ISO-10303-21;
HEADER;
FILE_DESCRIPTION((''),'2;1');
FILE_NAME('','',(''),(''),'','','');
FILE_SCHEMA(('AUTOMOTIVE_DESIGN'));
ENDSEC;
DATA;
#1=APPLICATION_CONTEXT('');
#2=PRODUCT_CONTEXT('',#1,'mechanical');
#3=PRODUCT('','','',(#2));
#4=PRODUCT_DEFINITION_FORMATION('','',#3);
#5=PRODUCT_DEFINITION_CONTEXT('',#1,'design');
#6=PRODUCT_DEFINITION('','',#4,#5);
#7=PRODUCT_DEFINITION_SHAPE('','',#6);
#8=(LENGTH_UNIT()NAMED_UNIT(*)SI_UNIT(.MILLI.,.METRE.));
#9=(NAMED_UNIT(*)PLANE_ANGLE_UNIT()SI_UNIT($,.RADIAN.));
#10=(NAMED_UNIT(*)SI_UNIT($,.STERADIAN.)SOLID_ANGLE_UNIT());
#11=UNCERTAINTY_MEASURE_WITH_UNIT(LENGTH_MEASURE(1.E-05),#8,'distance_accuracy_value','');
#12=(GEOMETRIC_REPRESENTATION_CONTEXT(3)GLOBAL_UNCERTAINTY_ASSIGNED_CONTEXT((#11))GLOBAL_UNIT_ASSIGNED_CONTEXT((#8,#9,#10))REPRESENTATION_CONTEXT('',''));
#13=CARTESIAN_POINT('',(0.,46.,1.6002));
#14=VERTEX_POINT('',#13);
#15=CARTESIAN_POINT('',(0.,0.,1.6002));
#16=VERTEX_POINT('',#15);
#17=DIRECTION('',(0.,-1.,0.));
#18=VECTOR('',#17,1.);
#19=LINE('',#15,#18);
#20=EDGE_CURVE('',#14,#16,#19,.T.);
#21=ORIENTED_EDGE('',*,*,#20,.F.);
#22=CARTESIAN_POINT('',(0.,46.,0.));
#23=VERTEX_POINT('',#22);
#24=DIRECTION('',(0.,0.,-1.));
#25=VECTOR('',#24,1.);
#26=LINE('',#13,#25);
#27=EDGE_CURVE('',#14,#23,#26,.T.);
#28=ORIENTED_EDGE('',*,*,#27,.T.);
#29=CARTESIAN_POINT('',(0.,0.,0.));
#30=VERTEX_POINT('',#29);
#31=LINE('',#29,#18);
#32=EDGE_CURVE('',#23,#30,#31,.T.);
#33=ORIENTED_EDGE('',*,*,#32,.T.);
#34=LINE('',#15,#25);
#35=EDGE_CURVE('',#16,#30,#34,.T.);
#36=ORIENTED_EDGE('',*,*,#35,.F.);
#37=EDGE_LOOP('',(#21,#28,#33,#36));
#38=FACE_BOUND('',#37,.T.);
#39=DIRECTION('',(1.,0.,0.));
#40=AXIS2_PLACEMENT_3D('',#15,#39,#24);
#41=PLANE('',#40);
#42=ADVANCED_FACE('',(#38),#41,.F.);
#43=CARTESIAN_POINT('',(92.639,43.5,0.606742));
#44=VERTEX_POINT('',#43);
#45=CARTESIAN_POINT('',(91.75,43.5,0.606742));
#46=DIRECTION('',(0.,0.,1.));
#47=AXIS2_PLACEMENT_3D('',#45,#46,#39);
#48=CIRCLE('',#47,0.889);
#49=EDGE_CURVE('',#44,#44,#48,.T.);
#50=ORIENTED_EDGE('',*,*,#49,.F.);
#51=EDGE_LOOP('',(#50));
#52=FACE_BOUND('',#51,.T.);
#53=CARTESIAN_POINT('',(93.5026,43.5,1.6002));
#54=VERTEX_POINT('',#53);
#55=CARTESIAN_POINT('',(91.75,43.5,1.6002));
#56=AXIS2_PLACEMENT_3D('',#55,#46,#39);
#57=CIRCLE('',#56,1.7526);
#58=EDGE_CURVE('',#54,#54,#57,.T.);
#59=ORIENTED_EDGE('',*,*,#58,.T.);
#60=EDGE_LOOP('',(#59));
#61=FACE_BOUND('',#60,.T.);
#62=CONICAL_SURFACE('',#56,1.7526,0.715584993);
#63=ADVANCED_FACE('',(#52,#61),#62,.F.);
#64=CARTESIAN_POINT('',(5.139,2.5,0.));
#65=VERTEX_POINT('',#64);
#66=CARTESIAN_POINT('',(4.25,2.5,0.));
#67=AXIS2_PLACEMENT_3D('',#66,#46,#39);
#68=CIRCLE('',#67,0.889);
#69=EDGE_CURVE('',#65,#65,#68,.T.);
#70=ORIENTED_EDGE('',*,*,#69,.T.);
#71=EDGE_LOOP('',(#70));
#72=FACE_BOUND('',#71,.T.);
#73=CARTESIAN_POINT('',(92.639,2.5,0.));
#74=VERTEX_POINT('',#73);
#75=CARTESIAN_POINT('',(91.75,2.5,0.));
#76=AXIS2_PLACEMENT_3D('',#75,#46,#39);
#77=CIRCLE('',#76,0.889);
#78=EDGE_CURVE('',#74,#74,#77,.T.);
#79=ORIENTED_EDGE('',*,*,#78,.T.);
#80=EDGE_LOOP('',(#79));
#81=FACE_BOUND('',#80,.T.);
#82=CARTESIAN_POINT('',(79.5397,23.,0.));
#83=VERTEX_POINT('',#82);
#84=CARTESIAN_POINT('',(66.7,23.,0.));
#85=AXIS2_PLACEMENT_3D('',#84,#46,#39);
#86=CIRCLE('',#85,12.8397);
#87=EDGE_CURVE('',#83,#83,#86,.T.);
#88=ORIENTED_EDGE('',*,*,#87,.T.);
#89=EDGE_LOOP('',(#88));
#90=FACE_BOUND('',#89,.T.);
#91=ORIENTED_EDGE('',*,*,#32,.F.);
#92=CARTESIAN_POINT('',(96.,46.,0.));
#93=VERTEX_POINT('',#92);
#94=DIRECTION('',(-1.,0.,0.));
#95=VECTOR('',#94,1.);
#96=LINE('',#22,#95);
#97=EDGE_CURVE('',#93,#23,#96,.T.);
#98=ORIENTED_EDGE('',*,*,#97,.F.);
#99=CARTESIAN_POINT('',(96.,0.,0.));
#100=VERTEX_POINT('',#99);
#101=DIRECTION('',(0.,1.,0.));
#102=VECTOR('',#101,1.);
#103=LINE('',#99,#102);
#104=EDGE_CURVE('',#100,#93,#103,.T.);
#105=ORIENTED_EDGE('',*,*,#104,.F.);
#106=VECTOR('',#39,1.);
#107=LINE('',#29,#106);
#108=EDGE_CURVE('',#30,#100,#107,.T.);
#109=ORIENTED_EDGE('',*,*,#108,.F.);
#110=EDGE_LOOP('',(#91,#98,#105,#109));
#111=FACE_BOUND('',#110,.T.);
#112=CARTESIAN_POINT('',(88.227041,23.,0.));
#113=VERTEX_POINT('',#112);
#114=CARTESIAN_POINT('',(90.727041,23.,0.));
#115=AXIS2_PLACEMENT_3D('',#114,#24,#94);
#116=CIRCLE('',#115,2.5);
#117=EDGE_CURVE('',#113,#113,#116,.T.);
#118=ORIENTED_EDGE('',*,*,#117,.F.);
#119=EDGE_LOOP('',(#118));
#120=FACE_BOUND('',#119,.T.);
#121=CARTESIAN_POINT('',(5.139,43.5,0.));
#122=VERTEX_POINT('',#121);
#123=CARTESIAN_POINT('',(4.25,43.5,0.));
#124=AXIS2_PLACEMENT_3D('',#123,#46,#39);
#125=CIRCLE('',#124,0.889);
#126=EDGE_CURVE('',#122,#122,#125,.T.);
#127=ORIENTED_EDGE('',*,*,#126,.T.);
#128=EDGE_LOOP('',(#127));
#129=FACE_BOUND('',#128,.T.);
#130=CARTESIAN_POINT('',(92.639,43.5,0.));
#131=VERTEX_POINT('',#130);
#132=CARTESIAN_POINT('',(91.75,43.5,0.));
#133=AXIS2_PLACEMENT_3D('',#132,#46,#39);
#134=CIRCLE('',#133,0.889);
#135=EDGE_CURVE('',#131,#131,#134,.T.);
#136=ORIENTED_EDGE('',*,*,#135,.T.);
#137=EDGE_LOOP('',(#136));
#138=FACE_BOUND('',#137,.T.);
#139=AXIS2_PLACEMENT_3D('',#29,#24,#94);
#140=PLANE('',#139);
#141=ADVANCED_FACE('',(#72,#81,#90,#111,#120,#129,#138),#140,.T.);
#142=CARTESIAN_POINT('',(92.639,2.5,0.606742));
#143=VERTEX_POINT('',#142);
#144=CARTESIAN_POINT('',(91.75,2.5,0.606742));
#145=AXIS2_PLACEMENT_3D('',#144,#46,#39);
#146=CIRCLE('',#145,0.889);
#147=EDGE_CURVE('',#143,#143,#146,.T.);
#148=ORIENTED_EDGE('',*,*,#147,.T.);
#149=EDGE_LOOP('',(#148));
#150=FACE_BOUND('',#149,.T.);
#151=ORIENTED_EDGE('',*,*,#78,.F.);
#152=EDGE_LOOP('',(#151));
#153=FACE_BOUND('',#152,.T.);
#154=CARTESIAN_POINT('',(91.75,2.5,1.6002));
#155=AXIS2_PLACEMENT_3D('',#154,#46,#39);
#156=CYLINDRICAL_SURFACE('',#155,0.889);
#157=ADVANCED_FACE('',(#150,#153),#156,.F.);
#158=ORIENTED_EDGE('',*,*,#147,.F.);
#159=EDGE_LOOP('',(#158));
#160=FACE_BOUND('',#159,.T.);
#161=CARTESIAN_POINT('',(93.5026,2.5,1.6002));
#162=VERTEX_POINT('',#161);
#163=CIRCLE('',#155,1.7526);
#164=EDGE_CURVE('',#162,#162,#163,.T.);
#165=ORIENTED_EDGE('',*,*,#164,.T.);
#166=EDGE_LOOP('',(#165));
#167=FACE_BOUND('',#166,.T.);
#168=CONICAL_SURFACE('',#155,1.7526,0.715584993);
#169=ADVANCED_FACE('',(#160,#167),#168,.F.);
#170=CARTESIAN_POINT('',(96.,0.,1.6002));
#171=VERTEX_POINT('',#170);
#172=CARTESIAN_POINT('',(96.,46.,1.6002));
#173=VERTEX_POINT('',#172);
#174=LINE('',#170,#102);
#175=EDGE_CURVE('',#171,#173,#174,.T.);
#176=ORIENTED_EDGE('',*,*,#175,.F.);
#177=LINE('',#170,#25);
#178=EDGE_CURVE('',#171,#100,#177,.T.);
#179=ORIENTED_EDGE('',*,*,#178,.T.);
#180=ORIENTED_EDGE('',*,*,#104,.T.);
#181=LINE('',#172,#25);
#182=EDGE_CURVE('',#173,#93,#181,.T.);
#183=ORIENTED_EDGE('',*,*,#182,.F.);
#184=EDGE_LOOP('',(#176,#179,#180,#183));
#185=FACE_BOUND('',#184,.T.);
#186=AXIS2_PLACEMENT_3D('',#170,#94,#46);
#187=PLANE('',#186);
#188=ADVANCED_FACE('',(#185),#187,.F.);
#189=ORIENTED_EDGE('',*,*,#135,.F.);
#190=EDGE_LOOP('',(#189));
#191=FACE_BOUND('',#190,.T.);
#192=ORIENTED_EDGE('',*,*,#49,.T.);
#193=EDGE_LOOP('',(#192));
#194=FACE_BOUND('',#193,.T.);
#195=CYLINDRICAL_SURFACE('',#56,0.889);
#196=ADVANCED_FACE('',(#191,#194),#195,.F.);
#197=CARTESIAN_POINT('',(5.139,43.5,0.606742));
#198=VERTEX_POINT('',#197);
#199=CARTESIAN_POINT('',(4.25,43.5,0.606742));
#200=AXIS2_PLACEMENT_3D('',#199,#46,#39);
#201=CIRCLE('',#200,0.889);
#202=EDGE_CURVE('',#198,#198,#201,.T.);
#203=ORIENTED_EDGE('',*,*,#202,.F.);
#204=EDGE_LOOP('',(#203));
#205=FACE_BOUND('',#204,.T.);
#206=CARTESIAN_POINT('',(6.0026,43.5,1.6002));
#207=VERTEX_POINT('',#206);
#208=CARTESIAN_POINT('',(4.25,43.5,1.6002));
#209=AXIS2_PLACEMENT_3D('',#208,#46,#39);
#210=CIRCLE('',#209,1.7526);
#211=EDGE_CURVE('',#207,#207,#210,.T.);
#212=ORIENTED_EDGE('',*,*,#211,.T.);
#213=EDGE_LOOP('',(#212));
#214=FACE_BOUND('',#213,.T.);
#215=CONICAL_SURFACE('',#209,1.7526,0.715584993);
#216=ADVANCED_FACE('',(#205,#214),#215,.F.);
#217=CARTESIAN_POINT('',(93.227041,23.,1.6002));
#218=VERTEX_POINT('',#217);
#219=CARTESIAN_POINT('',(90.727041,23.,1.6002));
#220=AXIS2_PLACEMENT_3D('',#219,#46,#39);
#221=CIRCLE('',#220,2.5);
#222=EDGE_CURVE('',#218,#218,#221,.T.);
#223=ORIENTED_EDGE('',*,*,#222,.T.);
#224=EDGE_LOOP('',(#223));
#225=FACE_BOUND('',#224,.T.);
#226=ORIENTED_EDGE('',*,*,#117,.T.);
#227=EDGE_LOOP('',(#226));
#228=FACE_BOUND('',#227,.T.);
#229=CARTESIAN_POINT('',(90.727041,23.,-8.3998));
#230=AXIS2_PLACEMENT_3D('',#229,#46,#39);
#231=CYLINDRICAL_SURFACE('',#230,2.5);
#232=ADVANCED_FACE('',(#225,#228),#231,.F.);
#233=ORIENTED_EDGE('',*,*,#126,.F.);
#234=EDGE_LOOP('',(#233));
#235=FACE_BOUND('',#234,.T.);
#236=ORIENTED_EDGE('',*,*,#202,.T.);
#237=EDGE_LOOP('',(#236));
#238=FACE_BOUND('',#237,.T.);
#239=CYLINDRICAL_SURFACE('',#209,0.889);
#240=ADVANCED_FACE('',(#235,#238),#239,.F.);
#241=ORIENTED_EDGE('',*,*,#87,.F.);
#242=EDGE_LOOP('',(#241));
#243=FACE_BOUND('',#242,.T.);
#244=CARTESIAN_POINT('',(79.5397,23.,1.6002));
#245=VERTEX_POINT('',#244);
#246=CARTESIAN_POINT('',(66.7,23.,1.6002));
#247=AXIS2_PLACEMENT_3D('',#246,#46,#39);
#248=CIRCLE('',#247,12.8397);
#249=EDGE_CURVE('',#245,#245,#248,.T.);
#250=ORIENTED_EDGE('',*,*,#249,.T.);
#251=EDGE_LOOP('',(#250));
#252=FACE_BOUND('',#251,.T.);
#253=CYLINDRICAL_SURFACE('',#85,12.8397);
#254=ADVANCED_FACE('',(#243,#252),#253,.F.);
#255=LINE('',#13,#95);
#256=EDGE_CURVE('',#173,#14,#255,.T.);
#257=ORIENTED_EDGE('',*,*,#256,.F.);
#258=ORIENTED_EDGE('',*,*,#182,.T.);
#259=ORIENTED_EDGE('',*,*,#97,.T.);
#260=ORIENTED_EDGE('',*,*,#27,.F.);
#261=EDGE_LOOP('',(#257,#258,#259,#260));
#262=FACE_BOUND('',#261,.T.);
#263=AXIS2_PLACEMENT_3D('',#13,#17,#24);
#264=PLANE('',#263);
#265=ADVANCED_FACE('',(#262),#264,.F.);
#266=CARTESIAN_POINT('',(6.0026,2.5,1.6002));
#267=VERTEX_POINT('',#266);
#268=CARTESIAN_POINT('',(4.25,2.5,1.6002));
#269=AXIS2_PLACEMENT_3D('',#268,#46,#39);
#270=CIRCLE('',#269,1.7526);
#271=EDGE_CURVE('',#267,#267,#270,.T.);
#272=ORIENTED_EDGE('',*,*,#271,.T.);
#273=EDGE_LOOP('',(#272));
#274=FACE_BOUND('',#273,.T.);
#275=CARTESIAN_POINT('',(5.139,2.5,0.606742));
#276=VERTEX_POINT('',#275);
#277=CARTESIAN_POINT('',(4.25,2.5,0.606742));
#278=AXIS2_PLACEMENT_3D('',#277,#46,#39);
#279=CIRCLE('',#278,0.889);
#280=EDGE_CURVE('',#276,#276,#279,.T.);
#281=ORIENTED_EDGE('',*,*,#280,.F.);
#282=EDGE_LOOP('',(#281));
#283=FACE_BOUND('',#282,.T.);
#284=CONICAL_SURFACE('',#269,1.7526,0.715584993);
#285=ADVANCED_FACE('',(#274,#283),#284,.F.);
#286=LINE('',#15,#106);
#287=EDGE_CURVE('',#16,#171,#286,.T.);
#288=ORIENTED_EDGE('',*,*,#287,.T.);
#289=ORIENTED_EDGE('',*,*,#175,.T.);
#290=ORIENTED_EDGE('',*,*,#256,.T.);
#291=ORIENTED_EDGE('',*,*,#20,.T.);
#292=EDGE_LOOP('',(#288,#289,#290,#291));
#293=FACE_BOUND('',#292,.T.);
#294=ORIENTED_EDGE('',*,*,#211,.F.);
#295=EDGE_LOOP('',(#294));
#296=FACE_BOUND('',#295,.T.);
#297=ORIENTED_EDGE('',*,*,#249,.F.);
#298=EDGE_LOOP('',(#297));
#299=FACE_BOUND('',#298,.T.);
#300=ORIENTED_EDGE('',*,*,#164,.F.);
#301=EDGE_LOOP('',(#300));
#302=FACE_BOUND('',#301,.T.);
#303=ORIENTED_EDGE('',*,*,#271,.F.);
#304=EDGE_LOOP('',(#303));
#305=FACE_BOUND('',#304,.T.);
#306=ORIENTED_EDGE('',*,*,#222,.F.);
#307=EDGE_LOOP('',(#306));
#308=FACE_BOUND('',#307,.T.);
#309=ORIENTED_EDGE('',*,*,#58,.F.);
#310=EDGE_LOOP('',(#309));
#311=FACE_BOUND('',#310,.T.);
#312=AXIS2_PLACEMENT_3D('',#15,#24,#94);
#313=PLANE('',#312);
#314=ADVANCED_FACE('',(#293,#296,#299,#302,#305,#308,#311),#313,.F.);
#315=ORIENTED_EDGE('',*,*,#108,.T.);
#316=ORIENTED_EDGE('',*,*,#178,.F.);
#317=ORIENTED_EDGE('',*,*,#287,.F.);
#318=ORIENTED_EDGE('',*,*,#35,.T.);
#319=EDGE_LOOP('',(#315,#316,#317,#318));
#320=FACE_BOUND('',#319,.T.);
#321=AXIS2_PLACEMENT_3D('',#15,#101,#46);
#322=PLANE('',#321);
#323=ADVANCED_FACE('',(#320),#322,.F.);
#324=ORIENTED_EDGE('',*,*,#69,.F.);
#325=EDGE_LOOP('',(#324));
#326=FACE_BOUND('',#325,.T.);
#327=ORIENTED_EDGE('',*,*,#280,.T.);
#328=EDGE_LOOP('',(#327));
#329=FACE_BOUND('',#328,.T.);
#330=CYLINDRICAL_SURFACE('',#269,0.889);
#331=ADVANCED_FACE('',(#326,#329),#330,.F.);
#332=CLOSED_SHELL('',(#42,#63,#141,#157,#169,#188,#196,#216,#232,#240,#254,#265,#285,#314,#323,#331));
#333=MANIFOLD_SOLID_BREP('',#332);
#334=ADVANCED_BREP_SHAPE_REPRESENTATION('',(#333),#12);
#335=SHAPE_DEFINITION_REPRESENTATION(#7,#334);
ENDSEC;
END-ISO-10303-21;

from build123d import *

# Parameters (mm, degrees)
SKETCH1_W                                     = 96
SKETCH1_H                                     = 46
BOSS_EXTRUDE1_DEPTH                           = 1.6002
SKETCH2_R                                     = 12.8397
CUT_EXTRUDE1_DEPTH                            = 2.6002
CSK_FOR_0_FLAT_HEAD_SOCKET_CAP_SCREW1_A_COUNT = 2
CSK_FOR_0_FLAT_HEAD_SOCKET_CAP_SCREW1_A_PITCH = 41
CSK_FOR_0_FLAT_HEAD_SOCKET_CAP_SCRE_2_COUNT   = 2
CSK_FOR_0_FLAT_HEAD_SOCKET_CAP_SCRE_2_PITCH   = 96.629446858
CSK_FOR_0_FLAT_HEAD_SOCKET_CAP_SCRE_3_COUNT   = 2
CSK_FOR_0_FLAT_HEAD_SOCKET_CAP_SCRE_3_PITCH   = 87.5
SKETCH14_R                                    = 2.5
CUT_EXTRUDE2_DEPTH                            = 10


with BuildPart() as part:
    # Sketch1 → Boss-Extrude1 (new body)
    with BuildSketch(Plane.XY):
        with Locations((48, 23)):
            Rectangle(SKETCH1_W, SKETCH1_H)
    extrude(amount=BOSS_EXTRUDE1_DEPTH)

    # Sketch2 → Cut-Extrude1 (cut, through all)
    with BuildSketch(Plane.XY.offset(1.6002)):
        with Locations((66.7, 23)):
            Circle(SKETCH2_R)
    extrude(amount=-CUT_EXTRUDE1_DEPTH, mode=Mode.SUBTRACT)

    # Sketch7 → CSK for #0 Flat Head Socket Cap Screw1 (revolve, cut)
    with BuildSketch(Plane(origin=(4.25, 43.5, 1.6002), x_dir=(0, -1, 0), z_dir=(1, 0, 0))):
        Polygon((0, 0), (0, 1.6002), (0.889, 1.6002), (0.889, 0.993458156), (1.7526, 0), align=None)
    csk_for_0_flat_head_socket_cap_screw1 = revolve(axis=Axis((4.25, 43.5, 7.9502), (0, 0, -1)), mode=Mode.SUBTRACT)

    # CSK for #0 Flat Head Socket Cap Screw1 a: CSK for #0 Flat Head Socket Cap Screw1 ×2
    with Locations(*[(0, -i * CSK_FOR_0_FLAT_HEAD_SOCKET_CAP_SCREW1_A_PITCH, 0) for i in range(1, CSK_FOR_0_FLAT_HEAD_SOCKET_CAP_SCREW1_A_COUNT)]):
        add(csk_for_0_flat_head_socket_cap_screw1, mode=Mode.SUBTRACT)

    # CSK for _0 Flat Head Socket Cap Scre 2: CSK for #0 Flat Head Socket Cap Screw1 ×2
    with Locations(*[Vector(0.905521069, -0.424301301, 0) * (i * CSK_FOR_0_FLAT_HEAD_SOCKET_CAP_SCRE_2_PITCH) for i in range(1, CSK_FOR_0_FLAT_HEAD_SOCKET_CAP_SCRE_2_COUNT)]):
        add(csk_for_0_flat_head_socket_cap_screw1, mode=Mode.SUBTRACT)

    # CSK for _0 Flat Head Socket Cap Scre 3: CSK for #0 Flat Head Socket Cap Screw1 ×2
    with Locations(*[(i * CSK_FOR_0_FLAT_HEAD_SOCKET_CAP_SCRE_3_PITCH, 0, 0) for i in range(1, CSK_FOR_0_FLAT_HEAD_SOCKET_CAP_SCRE_3_COUNT)]):
        add(csk_for_0_flat_head_socket_cap_screw1, mode=Mode.SUBTRACT)

    # Sketch14 → Cut-Extrude2 (cut)
    with BuildSketch(Plane.XY.offset(1.6002)):
        with Locations((90.727040544, 23)):
            Circle(SKETCH14_R)
    extrude(amount=-CUT_EXTRUDE2_DEPTH, mode=Mode.SUBTRACT)


solid = part.part
